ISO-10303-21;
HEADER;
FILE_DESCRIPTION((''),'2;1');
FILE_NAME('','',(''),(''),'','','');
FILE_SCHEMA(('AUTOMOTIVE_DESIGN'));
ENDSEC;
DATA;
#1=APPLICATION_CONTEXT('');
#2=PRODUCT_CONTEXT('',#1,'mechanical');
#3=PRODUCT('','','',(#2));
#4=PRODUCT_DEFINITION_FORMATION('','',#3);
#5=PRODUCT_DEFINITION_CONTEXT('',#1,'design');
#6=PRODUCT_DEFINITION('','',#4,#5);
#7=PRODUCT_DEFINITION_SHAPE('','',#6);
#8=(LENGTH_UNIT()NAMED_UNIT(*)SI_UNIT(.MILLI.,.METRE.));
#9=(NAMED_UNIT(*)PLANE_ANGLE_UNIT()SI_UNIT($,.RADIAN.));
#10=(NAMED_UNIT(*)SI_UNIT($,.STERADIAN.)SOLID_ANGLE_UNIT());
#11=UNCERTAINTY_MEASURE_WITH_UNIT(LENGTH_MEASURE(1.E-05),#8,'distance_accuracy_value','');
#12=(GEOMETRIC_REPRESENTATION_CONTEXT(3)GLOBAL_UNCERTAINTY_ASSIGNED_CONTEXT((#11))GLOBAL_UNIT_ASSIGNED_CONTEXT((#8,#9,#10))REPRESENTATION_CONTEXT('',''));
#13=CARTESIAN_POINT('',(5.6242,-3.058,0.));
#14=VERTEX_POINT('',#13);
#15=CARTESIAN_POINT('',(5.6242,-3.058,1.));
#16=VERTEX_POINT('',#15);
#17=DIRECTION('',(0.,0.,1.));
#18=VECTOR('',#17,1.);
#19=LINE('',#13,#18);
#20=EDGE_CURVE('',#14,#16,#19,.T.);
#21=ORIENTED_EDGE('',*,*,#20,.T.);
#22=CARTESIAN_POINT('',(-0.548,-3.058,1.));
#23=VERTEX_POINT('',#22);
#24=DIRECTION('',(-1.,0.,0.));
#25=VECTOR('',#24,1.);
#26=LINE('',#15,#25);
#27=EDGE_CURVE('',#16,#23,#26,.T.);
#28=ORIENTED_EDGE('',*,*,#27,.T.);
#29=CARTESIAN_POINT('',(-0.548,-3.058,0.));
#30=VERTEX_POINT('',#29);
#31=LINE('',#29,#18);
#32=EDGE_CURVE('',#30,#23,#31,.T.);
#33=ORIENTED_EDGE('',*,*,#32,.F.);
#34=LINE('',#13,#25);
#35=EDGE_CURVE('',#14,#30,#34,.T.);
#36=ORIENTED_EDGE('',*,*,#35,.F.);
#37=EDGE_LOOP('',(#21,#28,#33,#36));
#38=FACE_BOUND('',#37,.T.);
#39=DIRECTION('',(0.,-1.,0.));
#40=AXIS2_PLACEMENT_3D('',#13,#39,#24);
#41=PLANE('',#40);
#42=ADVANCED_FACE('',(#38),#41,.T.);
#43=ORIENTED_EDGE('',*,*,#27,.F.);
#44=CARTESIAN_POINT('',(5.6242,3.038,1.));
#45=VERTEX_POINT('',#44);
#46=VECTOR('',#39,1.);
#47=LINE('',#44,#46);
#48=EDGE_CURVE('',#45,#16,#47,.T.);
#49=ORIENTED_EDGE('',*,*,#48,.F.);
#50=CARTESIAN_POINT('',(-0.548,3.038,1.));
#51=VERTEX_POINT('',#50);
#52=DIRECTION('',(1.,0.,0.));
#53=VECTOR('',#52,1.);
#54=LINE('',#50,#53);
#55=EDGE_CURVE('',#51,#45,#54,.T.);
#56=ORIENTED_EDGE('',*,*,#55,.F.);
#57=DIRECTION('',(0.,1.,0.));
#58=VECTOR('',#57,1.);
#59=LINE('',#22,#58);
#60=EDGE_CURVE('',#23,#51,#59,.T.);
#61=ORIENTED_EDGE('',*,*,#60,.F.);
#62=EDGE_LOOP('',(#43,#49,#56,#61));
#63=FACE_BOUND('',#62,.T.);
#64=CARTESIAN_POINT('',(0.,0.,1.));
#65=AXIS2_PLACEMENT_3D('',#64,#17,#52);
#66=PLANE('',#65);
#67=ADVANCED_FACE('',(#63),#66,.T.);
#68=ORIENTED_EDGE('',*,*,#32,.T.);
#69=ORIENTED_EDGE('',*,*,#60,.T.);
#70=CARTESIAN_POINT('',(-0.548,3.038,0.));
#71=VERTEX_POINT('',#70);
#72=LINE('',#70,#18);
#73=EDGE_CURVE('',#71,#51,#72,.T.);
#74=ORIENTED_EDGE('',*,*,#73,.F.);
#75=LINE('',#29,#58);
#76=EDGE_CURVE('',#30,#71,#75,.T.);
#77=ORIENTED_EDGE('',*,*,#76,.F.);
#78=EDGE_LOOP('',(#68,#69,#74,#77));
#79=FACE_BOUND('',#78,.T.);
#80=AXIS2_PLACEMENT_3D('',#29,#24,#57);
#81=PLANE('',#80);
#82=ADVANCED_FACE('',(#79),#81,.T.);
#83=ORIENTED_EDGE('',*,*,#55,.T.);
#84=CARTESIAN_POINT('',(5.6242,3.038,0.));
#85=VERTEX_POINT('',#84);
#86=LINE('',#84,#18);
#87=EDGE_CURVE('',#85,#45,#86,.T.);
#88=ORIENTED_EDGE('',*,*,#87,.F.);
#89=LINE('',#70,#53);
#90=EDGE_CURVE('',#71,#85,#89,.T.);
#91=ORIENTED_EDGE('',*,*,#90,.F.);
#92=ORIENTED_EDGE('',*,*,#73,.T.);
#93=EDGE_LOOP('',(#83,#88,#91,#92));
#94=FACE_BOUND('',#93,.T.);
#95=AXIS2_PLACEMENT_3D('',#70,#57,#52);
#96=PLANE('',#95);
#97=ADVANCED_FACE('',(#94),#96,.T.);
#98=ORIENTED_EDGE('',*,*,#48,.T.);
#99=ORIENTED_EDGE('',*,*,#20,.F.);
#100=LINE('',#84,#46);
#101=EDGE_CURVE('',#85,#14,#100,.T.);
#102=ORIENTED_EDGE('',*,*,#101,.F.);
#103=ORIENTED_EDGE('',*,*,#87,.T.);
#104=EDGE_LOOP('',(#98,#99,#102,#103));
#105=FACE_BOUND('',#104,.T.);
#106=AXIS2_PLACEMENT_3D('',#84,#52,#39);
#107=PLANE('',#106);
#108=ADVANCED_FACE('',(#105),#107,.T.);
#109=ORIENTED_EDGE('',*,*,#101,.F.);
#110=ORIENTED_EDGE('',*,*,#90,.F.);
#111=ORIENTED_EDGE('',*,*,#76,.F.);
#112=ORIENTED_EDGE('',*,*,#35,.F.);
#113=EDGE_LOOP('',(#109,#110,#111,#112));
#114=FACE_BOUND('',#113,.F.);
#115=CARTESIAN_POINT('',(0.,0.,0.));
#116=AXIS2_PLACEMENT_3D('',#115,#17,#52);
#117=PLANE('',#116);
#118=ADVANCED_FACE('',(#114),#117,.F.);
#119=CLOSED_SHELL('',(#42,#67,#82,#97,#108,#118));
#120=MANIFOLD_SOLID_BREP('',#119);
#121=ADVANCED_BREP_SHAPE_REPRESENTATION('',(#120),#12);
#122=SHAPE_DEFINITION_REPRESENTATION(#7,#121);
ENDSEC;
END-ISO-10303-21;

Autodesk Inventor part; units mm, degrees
ref_plane "YZ Plane" through (0, 0, 0) normal (1, 0, 0) x (0, 1, 0)
ref_plane "XZ Plane" through (0, 0, 0) normal (0, 1, 0) x (-1, 0, 0)
ref_plane "XY Plane" through (0, 0, 0) normal (0, 0, 1) x (1, 0, 0)
sketch "PBTH, BSL_144" plane through (0, 0, 0) normal (0, 0, 1) x (1, 0, 0)
  line L0 (-0.548, 3.038) -> (5.6242, 3.038)
  line L1 (5.6242, 3.038) -> (5.6242, -3.058)
  line L2 (5.6242, -3.058) -> (-0.548, -3.058)
  line L3 (-0.548, -3.058) -> (-0.548, 3.038)
extrude "Extrusion1" add sketch "PBTH, BSL_144" along normal blind 1
properties part number "BSL"
